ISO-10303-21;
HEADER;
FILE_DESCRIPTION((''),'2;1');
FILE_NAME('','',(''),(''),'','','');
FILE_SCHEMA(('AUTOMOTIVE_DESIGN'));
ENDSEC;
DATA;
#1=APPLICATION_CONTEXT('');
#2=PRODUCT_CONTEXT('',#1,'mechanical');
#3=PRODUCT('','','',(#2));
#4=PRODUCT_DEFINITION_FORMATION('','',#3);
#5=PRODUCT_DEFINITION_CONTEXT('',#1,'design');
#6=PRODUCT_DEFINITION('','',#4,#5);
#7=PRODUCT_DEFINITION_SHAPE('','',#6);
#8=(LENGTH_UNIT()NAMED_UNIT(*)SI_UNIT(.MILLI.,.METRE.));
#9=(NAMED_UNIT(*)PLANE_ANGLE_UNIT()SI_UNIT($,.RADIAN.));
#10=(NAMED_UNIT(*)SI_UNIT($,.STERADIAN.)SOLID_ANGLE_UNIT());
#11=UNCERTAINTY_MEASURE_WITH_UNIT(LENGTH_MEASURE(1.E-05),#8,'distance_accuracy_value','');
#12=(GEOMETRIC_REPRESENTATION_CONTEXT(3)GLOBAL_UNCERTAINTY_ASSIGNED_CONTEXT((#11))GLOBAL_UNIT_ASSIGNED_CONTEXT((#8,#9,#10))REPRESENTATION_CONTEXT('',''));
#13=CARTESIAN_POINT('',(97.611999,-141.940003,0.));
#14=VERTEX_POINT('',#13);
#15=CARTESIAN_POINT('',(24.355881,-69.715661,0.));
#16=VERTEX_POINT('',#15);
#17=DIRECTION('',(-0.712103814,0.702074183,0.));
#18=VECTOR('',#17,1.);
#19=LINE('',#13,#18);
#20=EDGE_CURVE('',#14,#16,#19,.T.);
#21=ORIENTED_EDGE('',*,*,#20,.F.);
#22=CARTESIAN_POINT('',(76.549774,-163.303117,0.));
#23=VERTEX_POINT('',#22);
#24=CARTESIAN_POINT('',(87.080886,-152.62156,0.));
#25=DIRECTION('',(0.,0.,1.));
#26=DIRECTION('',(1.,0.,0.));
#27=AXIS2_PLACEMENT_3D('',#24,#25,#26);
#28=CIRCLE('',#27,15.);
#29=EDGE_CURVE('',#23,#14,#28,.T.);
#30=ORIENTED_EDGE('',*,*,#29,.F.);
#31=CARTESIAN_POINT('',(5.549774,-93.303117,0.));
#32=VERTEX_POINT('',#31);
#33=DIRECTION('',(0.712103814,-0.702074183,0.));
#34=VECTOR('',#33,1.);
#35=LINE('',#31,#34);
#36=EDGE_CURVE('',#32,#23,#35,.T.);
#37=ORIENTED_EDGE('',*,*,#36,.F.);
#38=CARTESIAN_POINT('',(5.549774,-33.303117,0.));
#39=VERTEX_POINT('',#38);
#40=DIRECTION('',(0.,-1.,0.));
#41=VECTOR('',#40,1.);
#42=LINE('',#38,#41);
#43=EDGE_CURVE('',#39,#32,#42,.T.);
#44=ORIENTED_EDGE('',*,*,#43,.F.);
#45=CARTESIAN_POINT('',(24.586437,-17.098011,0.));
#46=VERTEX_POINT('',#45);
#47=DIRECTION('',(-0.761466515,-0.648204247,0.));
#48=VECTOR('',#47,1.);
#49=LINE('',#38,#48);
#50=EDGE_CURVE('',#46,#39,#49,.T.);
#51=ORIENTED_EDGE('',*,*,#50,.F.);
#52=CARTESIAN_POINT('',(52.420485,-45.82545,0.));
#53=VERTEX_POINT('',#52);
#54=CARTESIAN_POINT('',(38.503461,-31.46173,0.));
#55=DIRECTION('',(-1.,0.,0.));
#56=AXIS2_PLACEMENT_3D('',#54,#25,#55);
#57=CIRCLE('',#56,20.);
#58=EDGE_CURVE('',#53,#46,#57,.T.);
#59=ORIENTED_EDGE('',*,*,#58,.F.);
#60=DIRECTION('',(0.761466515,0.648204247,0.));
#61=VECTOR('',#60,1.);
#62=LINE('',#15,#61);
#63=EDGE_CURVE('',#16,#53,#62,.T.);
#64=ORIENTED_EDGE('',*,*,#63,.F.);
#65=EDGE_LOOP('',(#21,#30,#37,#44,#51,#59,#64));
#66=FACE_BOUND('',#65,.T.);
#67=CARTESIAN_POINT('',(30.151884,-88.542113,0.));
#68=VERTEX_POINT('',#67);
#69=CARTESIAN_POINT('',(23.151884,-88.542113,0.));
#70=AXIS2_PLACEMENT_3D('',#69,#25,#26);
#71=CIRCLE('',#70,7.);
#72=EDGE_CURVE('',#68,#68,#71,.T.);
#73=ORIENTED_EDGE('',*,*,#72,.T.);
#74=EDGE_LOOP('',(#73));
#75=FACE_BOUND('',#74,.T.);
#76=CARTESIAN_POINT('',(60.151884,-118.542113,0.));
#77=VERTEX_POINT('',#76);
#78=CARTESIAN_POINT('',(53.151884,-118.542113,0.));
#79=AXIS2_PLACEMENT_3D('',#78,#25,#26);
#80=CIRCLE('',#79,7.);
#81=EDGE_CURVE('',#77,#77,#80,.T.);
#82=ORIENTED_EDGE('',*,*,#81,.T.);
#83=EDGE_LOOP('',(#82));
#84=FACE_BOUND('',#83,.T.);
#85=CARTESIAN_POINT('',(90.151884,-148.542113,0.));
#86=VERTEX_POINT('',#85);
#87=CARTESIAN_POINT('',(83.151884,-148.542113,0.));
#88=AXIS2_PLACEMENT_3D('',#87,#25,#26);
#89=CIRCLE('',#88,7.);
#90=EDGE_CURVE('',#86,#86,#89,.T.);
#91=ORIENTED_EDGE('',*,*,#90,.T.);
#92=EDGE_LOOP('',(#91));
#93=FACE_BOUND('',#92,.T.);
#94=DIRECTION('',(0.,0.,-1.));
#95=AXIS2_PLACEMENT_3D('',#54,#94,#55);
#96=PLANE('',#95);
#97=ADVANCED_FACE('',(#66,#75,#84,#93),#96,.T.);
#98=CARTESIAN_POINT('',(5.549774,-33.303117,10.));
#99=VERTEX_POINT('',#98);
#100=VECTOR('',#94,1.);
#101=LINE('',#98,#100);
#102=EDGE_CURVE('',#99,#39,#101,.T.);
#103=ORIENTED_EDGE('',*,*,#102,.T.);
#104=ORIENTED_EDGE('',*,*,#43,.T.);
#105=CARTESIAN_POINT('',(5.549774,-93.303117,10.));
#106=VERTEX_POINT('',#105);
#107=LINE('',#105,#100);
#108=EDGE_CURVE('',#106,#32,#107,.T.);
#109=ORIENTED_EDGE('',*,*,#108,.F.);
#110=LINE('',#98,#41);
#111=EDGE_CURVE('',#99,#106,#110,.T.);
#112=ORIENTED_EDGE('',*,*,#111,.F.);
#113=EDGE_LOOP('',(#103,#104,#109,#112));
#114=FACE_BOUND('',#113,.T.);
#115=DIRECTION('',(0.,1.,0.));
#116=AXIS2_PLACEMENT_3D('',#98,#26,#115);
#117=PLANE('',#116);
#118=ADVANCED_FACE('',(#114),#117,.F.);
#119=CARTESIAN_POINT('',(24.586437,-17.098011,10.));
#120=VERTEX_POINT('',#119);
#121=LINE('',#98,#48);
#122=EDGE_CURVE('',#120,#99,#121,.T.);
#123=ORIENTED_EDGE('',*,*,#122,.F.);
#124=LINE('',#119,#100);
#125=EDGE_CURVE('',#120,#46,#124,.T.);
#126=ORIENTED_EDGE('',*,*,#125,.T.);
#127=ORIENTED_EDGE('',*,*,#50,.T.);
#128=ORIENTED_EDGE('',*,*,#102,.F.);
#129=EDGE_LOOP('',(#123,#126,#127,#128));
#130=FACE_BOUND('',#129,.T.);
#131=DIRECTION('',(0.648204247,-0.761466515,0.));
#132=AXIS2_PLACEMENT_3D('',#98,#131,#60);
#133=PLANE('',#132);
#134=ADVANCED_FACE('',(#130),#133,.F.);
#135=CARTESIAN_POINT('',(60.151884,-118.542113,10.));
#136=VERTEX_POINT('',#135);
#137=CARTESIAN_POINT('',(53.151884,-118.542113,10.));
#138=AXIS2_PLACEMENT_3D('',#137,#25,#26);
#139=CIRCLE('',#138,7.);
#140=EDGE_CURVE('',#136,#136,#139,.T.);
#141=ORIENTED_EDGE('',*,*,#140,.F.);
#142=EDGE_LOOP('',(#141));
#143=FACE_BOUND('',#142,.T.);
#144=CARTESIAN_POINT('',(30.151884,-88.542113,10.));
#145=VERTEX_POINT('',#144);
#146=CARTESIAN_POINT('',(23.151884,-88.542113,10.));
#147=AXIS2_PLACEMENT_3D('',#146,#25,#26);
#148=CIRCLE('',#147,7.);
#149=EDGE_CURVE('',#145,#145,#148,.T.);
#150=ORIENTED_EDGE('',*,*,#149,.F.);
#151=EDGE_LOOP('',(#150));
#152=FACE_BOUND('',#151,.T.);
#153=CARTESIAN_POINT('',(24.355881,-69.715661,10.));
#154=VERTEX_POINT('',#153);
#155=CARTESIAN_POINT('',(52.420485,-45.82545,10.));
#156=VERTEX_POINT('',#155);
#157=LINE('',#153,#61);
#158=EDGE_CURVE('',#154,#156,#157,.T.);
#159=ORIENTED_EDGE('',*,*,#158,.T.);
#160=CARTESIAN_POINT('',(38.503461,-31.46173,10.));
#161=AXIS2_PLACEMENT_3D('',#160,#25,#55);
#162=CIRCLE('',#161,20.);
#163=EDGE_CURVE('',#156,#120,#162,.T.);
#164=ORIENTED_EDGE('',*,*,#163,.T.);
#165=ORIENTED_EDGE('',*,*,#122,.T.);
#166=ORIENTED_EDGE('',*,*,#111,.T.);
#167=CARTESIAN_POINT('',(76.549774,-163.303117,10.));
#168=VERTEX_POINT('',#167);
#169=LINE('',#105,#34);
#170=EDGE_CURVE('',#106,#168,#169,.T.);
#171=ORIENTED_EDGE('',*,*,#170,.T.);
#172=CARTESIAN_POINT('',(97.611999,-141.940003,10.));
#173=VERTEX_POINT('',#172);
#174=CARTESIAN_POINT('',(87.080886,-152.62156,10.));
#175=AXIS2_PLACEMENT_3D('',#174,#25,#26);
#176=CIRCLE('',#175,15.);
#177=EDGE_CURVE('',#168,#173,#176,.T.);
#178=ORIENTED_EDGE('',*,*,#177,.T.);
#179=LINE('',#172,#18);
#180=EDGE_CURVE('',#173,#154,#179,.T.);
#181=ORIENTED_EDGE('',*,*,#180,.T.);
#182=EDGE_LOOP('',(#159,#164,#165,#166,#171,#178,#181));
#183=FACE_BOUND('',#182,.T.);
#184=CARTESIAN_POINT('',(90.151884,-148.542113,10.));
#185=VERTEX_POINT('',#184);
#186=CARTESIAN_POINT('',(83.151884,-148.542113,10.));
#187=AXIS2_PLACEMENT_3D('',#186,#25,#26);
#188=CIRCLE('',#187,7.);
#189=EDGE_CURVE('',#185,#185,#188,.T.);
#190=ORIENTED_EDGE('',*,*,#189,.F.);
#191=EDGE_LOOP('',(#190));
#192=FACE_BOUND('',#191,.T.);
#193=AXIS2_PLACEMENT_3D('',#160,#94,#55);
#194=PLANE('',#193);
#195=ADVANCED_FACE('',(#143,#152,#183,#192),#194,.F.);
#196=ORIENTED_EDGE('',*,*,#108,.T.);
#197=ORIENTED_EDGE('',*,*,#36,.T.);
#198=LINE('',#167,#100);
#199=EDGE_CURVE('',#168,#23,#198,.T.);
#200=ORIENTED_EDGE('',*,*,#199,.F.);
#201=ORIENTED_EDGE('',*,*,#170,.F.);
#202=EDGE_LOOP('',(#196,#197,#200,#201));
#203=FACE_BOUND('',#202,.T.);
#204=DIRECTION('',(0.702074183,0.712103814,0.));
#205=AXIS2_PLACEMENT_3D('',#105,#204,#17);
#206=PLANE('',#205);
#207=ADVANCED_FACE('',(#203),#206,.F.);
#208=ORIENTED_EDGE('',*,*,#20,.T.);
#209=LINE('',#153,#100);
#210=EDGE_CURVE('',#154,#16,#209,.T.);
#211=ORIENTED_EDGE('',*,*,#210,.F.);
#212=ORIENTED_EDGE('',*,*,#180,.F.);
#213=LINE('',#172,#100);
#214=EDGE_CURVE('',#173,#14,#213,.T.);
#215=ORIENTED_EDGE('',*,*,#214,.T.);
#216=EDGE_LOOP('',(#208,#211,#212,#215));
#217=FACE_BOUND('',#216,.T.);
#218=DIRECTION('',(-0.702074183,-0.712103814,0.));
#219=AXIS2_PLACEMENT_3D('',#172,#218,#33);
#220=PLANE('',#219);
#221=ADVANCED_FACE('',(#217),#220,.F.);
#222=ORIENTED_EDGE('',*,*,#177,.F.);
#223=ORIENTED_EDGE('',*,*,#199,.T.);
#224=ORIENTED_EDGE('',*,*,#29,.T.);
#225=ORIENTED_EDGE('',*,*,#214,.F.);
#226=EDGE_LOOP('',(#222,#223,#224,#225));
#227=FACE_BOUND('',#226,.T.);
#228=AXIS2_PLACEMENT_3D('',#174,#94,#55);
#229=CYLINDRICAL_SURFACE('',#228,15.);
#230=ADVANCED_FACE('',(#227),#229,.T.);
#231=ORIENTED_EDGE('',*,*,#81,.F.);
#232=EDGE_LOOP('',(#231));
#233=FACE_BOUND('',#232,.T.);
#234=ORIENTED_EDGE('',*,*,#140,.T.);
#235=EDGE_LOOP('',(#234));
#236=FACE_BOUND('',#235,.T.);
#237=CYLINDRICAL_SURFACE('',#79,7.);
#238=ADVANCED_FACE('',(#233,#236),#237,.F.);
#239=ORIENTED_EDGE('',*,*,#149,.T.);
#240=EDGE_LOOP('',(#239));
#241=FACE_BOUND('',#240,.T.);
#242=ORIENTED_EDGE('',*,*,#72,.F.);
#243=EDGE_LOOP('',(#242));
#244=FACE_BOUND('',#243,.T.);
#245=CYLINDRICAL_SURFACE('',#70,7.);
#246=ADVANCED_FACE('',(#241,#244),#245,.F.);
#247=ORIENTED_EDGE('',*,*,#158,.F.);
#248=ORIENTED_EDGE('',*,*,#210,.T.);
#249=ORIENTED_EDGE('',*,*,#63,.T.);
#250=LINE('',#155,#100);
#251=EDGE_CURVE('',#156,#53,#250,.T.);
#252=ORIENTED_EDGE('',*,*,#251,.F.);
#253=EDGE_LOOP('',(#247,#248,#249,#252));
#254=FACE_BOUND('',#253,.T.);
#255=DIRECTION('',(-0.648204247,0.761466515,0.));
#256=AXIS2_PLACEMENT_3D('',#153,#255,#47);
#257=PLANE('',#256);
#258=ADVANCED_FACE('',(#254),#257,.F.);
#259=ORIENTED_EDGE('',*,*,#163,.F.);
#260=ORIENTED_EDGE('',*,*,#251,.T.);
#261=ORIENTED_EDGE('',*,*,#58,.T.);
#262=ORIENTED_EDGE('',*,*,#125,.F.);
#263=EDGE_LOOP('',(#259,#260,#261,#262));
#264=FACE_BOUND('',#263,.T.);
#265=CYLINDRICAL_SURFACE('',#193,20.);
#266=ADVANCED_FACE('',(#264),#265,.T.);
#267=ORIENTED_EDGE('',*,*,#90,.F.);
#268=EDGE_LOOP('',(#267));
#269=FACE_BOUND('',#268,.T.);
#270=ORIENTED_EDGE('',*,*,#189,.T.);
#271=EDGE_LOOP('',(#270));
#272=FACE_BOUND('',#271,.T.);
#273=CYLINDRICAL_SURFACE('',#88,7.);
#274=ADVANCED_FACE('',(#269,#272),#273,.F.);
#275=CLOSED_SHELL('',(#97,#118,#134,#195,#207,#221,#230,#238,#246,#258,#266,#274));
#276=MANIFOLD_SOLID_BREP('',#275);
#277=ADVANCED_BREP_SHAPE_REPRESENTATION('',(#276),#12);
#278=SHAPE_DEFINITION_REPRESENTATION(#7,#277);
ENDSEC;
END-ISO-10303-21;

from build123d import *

# Parameters (mm, degrees)
BOSS_EXTRUDE1_DEPTH = 10
SKETCH2_R           = 7
CUT_EXTRUDE1_DEPTH  = 197.513344998


with BuildPart() as part:
    # Sketch1 → Boss-Extrude1 (new body)
    with BuildSketch(Plane.XY):
        with BuildLine():
            Line((5.549773739, -33.303117211), (5.549773739, -93.303117211))
            Line((5.549773739, -93.303117211), (76.549773739, -163.303117211))
            ThreePointArc((76.549773739, -163.303117211), (97.76244369, -163.152672743), (97.611999223, -141.940002792))
            Line((97.611999223, -141.940002792), (24.355880913, -69.715660797))
            Line((24.355880913, -69.715660797), (52.420485151, -45.825449879))
            ThreePointArc((52.420485151, -45.825449879), (52.86718031, -17.544706193), (24.586436624, -17.098011034))
            Line((24.586436624, -17.098011034), (5.549773739, -33.303117211))
        make_face()
    extrude(amount=BOSS_EXTRUDE1_DEPTH)

    # Sketch2 → Cut-Extrude1 (cut, through all)
    with BuildSketch(Plane.XY.offset(10)):
        with Locations((23.151883869, -88.542112922)):
            Circle(SKETCH2_R)
        with Locations((53.151883869, -118.542112922)):
            Circle(SKETCH2_R)
        with Locations((83.151883869, -148.542112922)):
            Circle(SKETCH2_R)
    extrude(amount=-CUT_EXTRUDE1_DEPTH, mode=Mode.SUBTRACT)


solid = part.part
